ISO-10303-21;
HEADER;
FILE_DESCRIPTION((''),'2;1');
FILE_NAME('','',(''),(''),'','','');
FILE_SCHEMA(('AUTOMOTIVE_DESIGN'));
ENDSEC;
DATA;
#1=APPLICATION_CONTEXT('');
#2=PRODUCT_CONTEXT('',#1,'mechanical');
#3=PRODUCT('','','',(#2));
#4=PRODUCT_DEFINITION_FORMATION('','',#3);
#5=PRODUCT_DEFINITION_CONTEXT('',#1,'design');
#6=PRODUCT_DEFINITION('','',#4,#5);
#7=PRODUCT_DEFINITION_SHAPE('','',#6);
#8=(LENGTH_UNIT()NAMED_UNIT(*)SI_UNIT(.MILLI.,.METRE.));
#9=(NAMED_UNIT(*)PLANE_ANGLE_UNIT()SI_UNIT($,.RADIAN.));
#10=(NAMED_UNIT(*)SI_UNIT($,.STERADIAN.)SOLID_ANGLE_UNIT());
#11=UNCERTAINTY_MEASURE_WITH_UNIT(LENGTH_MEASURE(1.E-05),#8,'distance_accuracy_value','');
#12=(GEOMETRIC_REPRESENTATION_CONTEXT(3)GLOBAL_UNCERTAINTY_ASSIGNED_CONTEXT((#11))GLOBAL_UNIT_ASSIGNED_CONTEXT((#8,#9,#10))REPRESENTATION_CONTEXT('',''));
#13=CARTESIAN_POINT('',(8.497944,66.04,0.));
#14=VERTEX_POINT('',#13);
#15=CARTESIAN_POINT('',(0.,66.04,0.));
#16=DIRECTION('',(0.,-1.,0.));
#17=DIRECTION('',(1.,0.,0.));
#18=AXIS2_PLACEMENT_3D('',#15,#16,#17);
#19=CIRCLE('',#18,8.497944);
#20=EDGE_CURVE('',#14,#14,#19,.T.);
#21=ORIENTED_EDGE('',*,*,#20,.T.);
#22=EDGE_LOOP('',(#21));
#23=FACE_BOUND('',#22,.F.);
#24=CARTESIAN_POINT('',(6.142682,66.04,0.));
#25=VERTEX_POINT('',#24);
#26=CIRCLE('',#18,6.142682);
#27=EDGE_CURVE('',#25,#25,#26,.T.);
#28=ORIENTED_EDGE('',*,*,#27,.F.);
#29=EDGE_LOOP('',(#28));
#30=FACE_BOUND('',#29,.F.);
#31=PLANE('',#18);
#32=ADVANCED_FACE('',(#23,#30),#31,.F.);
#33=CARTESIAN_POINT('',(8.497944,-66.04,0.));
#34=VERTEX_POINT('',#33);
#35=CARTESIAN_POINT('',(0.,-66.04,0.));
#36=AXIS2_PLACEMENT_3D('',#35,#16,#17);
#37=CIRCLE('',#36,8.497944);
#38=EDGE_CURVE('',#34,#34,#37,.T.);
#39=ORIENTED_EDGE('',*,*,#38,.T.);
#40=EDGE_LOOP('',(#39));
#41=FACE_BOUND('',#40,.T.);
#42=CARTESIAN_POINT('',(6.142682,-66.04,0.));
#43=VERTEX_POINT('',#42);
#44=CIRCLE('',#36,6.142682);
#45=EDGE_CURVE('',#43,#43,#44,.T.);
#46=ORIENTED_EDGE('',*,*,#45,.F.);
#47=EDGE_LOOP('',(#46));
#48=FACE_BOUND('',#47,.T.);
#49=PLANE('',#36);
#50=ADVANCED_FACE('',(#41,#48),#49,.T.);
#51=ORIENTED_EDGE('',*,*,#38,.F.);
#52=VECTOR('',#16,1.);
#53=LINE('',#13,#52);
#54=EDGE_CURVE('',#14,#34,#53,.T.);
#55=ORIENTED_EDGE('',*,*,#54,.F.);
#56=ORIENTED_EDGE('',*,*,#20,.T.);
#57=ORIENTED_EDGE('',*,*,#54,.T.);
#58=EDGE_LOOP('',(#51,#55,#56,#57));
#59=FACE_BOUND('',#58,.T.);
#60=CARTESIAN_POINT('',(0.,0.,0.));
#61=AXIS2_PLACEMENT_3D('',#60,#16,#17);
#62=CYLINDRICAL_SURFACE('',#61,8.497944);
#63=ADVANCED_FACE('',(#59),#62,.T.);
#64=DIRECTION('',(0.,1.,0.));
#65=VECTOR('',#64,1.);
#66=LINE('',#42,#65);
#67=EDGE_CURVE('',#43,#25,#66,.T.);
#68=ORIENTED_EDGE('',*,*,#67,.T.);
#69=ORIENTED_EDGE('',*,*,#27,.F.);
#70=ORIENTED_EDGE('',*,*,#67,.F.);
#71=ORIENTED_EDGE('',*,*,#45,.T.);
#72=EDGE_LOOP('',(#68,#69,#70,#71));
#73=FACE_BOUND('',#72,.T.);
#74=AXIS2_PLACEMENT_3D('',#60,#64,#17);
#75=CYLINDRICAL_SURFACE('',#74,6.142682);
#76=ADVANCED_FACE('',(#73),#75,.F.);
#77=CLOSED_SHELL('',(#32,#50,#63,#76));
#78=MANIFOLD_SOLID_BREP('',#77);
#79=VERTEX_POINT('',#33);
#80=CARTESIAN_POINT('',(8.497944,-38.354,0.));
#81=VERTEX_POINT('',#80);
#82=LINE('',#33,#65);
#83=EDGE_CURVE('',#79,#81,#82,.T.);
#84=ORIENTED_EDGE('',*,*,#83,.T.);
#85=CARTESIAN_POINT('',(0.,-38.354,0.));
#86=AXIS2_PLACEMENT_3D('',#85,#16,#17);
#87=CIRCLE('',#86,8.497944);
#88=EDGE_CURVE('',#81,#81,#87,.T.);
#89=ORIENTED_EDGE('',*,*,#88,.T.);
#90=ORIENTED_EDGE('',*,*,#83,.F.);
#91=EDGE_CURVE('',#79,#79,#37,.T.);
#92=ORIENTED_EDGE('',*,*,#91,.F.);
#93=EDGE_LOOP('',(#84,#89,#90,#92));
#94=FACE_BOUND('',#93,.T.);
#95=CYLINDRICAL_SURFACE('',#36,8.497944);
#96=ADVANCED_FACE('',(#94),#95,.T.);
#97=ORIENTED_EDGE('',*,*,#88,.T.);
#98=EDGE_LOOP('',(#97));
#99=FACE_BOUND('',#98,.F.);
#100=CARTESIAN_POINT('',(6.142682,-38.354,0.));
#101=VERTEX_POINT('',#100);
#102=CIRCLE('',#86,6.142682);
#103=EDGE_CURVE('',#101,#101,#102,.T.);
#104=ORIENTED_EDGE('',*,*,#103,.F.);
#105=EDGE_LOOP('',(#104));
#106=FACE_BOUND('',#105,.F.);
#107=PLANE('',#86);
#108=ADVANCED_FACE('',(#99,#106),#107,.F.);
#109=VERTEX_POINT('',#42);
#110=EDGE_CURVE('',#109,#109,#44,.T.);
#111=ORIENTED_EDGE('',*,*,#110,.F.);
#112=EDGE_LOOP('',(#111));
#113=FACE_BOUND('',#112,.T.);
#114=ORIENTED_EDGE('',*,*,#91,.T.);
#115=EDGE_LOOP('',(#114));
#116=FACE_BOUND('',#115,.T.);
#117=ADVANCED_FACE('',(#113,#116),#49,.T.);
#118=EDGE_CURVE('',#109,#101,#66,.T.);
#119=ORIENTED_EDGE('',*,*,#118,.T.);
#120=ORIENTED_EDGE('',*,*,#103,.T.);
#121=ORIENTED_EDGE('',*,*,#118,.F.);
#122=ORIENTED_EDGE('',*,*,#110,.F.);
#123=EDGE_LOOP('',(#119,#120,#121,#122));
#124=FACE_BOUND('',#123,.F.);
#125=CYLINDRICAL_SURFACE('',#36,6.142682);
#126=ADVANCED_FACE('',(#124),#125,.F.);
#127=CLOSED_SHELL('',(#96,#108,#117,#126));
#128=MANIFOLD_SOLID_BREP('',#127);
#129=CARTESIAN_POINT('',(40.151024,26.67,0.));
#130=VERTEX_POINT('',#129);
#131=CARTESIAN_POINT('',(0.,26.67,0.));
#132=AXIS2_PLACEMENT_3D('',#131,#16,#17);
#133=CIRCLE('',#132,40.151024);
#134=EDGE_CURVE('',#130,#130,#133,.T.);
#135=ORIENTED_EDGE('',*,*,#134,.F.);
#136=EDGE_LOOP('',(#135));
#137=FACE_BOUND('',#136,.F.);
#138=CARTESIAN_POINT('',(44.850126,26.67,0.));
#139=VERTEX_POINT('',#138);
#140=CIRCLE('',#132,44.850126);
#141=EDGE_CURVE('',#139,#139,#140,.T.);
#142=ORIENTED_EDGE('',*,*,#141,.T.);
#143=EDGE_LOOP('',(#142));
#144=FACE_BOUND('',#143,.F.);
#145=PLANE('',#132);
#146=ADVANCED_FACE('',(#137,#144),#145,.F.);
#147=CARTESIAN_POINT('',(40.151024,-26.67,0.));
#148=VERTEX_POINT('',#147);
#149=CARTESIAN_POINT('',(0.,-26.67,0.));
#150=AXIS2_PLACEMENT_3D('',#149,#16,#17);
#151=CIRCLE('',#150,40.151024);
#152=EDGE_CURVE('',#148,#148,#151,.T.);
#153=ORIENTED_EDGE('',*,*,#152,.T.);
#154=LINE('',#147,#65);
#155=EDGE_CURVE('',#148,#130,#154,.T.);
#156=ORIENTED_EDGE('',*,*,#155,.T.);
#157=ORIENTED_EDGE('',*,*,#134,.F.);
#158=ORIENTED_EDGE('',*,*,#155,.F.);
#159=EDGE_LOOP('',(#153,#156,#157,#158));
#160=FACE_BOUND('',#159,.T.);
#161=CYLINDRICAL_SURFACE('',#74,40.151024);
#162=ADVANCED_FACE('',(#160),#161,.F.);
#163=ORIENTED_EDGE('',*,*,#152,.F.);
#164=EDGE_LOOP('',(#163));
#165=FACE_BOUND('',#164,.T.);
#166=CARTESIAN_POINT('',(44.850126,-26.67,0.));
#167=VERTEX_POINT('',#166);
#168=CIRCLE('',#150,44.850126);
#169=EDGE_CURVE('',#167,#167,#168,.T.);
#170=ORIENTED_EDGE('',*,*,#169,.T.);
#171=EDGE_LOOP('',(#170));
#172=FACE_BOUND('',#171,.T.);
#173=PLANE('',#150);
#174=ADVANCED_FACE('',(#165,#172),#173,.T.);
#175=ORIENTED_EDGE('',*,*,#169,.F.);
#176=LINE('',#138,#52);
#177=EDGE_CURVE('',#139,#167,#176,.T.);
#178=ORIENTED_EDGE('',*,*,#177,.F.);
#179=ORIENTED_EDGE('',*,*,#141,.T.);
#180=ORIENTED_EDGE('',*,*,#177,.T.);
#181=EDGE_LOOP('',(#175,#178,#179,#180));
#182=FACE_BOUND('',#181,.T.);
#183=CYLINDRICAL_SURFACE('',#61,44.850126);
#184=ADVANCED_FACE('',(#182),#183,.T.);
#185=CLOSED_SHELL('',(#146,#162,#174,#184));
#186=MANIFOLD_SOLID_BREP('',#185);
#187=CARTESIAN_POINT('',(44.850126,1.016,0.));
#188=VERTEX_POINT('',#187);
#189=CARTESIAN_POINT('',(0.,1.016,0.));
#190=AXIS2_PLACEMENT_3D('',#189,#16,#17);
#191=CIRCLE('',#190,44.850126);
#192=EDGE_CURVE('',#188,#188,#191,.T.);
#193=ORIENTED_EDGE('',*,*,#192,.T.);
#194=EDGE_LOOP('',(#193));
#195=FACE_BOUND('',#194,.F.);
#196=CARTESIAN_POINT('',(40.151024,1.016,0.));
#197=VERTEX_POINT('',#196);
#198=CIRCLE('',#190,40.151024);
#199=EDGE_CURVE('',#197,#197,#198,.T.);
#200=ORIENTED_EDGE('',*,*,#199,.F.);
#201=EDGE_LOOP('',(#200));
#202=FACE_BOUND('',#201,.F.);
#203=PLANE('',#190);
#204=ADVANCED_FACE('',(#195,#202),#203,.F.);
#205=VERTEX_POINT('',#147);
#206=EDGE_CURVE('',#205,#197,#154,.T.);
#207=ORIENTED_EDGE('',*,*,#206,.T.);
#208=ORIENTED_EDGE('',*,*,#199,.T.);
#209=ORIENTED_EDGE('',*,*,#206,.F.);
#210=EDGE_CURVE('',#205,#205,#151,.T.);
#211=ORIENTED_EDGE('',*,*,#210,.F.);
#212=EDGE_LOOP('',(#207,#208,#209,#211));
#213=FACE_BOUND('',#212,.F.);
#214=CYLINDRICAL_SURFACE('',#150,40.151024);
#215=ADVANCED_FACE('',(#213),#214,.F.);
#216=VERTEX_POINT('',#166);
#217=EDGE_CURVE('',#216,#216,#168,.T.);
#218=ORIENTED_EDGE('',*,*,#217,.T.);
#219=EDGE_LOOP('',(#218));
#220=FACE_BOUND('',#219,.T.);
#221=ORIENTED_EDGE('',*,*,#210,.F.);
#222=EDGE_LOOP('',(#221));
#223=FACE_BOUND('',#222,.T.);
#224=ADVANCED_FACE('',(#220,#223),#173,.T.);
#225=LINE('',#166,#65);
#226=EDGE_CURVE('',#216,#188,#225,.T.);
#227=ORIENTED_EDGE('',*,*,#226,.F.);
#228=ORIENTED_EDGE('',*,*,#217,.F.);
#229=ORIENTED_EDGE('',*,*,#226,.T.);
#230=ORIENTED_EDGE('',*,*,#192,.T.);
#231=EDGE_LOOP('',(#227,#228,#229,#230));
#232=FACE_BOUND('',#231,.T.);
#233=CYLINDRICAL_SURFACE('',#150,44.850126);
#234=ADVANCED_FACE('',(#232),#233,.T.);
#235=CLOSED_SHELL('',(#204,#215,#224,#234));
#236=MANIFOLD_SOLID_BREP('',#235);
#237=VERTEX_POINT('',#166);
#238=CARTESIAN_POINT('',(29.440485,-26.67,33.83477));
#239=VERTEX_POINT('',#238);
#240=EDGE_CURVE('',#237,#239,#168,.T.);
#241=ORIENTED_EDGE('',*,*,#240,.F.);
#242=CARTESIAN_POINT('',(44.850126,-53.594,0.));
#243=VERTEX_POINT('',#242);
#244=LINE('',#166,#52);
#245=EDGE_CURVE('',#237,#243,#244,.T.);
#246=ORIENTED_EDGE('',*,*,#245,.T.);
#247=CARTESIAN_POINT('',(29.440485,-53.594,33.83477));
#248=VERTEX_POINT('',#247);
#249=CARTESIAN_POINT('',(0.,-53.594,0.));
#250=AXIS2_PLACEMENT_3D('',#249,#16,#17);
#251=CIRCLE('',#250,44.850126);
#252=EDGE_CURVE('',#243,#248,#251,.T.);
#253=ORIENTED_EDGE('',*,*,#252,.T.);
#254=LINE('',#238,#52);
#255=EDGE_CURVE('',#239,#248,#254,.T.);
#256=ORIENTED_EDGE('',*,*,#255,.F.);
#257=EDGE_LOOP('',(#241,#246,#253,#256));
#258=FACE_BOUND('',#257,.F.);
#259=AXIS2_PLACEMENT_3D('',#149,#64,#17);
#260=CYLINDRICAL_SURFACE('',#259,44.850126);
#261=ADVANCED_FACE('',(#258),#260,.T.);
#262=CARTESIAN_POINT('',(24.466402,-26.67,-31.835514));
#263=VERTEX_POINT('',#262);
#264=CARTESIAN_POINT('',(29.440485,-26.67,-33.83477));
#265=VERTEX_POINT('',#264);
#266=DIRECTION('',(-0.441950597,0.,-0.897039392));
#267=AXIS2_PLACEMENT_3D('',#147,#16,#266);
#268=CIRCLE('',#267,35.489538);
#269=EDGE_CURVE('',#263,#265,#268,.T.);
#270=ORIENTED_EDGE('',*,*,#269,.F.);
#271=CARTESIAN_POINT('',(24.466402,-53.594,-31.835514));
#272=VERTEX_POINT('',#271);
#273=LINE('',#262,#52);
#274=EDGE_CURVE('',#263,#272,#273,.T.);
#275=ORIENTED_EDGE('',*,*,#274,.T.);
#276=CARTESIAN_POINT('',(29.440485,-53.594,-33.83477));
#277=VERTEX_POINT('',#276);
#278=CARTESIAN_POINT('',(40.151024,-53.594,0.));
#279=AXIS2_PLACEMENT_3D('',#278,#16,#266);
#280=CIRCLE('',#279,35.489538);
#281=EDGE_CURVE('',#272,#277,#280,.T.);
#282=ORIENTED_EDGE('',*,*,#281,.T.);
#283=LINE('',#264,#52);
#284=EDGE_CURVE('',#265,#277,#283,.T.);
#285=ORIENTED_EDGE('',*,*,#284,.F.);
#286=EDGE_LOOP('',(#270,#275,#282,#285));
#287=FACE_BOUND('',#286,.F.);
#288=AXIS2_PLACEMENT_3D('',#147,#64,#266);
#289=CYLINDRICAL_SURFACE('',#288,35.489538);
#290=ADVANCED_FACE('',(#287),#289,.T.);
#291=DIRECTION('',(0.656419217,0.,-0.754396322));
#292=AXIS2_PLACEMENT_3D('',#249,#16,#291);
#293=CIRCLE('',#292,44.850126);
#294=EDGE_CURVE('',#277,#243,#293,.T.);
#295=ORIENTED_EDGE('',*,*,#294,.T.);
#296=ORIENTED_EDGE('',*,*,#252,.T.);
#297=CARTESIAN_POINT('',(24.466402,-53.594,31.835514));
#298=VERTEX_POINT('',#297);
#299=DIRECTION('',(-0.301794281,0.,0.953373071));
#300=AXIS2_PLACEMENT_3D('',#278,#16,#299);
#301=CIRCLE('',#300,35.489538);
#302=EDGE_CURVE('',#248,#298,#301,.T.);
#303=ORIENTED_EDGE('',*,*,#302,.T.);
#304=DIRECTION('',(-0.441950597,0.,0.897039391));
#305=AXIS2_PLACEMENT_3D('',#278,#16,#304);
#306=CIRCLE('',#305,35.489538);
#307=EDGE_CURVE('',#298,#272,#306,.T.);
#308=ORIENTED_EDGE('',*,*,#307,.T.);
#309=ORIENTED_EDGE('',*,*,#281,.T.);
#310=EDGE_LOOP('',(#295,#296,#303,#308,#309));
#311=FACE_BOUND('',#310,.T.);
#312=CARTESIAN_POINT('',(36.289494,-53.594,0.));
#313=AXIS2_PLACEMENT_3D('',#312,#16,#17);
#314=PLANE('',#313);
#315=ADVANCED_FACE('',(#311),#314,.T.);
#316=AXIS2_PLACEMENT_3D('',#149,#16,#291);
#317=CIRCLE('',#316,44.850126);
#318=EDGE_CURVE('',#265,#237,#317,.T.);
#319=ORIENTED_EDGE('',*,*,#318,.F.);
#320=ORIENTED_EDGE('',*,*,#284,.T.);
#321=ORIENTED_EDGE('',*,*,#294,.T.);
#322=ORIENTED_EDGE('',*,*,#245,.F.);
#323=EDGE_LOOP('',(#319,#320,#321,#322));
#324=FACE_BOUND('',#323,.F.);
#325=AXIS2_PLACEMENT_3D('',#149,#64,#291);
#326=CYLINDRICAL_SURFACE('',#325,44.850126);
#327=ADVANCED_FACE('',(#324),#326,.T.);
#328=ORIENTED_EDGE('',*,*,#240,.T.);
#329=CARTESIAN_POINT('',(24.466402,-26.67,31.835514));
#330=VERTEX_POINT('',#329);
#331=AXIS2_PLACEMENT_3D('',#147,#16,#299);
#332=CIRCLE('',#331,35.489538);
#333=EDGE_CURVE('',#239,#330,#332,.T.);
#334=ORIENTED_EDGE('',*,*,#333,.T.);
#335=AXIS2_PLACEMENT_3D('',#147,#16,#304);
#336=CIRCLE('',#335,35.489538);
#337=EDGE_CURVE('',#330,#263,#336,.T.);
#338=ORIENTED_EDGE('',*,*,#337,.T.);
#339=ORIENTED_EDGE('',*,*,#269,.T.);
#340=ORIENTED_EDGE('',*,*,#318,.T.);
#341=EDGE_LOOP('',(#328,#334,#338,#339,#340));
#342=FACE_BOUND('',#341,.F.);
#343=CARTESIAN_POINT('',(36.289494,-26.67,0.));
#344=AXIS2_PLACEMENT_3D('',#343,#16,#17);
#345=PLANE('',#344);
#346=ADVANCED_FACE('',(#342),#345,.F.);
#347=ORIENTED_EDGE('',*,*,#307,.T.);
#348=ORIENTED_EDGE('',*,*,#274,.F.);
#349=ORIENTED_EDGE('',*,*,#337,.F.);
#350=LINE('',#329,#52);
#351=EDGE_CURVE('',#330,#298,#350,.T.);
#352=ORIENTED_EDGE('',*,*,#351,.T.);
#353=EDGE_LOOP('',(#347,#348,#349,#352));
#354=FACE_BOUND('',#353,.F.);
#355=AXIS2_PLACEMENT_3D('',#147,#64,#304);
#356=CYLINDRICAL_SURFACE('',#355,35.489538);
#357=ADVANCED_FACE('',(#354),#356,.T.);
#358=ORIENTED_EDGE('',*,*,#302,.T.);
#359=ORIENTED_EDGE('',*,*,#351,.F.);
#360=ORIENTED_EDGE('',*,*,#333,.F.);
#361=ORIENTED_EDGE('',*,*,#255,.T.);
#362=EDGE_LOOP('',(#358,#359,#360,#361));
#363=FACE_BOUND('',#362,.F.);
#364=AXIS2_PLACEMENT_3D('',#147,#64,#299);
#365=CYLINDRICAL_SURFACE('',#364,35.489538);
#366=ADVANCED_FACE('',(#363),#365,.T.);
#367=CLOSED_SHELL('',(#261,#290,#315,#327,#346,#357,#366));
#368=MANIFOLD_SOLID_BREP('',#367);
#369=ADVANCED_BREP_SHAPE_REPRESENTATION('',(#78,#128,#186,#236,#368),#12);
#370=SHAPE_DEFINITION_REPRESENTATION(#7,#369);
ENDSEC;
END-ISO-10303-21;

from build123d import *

# Parameters (mm, degrees)
F1_R     = 8.4979438247
F1_R_2   = 6.1426821127
F2_DEPTH = 66.04
F0_R     = 44.8501259772
F0_R_2   = 40.1510242743
F3_DEPTH = 26.67
F4_DEPTH = 27.686
F6_DEPTH = 26.924


with BuildPart() as f2:
    # F1 (on Front) → F2 (new body, symmetric)
    with BuildSketch(Plane.XZ):
        Circle(F1_R)
        Circle(F1_R_2, mode=Mode.SUBTRACT)
    extrude(amount=F2_DEPTH, both=True)


with BuildPart() as f3:
    # F0 (on Front) → F3 (new body, symmetric)
    with BuildSketch(Plane.XZ):
        Circle(F0_R)
        Circle(F0_R_2, mode=Mode.SUBTRACT)
    extrude(amount=F3_DEPTH, both=True)


with BuildPart() as f4:
    # F4 (new): a face of the model
    f4_faces = [f2.part.faces().sort_by_distance(p)[0] for p in [
        (-8.2575856766, -66.04, 0),
    ]]
    extrude(f4_faces, amount=-F4_DEPTH)


with BuildPart() as f4b:
    # F4#2 (new): a face of the model
    f4_2_faces = [f3.part.faces().sort_by_distance(p)[0] for p in [
        (-43.5815728485, -26.67, 0),
    ]]
    extrude(f4_2_faces, amount=-F4_DEPTH)


with BuildPart() as f6:
    # F5 (on face) → F6 (new body)
    with BuildSketch(Plane.XZ.offset(26.67)):
        with BuildLine():
            ThreePointArc((44.8501259772, 0), (40.8163156263, 18.5893028073), (29.4404845845, 33.8347700982))
            ThreePointArc((29.4404845845, 33.8347700982), (26.9156396974, 32.9291956042), (24.4664016426, 31.8355138319))
            ThreePointArc((24.4664016426, 31.8355138319), (36.0170503827, 17.744769145), (40.1510242743, 0))
            ThreePointArc((40.1510242743, 0), (36.0170503827, -17.744769145), (24.4664016426, -31.8355138319))
            ThreePointArc((24.4664016426, -31.8355138319), (26.9156396974, -32.9291956042), (29.4404845845, -33.8347700982))
            ThreePointArc((29.4404845845, -33.8347700982), (40.8163156263, -18.5893028073), (44.8501259772, 0))
        make_face()
        with BuildLine():
            ThreePointArc((40.1510242743, 0), (36.0170503827, 17.744769145), (24.4664016426, 31.8355138319))
            ThreePointArc((24.4664016426, 31.8355138319), (4.6614859843, 0), (24.4664016426, -31.8355138319))
            ThreePointArc((24.4664016426, -31.8355138319), (36.0170503827, -17.744769145), (40.1510242743, 0))
        make_face()
    extrude(amount=F6_DEPTH)


solid = Compound([f2.part, f3.part, f4.part, f4b.part, f6.part])
